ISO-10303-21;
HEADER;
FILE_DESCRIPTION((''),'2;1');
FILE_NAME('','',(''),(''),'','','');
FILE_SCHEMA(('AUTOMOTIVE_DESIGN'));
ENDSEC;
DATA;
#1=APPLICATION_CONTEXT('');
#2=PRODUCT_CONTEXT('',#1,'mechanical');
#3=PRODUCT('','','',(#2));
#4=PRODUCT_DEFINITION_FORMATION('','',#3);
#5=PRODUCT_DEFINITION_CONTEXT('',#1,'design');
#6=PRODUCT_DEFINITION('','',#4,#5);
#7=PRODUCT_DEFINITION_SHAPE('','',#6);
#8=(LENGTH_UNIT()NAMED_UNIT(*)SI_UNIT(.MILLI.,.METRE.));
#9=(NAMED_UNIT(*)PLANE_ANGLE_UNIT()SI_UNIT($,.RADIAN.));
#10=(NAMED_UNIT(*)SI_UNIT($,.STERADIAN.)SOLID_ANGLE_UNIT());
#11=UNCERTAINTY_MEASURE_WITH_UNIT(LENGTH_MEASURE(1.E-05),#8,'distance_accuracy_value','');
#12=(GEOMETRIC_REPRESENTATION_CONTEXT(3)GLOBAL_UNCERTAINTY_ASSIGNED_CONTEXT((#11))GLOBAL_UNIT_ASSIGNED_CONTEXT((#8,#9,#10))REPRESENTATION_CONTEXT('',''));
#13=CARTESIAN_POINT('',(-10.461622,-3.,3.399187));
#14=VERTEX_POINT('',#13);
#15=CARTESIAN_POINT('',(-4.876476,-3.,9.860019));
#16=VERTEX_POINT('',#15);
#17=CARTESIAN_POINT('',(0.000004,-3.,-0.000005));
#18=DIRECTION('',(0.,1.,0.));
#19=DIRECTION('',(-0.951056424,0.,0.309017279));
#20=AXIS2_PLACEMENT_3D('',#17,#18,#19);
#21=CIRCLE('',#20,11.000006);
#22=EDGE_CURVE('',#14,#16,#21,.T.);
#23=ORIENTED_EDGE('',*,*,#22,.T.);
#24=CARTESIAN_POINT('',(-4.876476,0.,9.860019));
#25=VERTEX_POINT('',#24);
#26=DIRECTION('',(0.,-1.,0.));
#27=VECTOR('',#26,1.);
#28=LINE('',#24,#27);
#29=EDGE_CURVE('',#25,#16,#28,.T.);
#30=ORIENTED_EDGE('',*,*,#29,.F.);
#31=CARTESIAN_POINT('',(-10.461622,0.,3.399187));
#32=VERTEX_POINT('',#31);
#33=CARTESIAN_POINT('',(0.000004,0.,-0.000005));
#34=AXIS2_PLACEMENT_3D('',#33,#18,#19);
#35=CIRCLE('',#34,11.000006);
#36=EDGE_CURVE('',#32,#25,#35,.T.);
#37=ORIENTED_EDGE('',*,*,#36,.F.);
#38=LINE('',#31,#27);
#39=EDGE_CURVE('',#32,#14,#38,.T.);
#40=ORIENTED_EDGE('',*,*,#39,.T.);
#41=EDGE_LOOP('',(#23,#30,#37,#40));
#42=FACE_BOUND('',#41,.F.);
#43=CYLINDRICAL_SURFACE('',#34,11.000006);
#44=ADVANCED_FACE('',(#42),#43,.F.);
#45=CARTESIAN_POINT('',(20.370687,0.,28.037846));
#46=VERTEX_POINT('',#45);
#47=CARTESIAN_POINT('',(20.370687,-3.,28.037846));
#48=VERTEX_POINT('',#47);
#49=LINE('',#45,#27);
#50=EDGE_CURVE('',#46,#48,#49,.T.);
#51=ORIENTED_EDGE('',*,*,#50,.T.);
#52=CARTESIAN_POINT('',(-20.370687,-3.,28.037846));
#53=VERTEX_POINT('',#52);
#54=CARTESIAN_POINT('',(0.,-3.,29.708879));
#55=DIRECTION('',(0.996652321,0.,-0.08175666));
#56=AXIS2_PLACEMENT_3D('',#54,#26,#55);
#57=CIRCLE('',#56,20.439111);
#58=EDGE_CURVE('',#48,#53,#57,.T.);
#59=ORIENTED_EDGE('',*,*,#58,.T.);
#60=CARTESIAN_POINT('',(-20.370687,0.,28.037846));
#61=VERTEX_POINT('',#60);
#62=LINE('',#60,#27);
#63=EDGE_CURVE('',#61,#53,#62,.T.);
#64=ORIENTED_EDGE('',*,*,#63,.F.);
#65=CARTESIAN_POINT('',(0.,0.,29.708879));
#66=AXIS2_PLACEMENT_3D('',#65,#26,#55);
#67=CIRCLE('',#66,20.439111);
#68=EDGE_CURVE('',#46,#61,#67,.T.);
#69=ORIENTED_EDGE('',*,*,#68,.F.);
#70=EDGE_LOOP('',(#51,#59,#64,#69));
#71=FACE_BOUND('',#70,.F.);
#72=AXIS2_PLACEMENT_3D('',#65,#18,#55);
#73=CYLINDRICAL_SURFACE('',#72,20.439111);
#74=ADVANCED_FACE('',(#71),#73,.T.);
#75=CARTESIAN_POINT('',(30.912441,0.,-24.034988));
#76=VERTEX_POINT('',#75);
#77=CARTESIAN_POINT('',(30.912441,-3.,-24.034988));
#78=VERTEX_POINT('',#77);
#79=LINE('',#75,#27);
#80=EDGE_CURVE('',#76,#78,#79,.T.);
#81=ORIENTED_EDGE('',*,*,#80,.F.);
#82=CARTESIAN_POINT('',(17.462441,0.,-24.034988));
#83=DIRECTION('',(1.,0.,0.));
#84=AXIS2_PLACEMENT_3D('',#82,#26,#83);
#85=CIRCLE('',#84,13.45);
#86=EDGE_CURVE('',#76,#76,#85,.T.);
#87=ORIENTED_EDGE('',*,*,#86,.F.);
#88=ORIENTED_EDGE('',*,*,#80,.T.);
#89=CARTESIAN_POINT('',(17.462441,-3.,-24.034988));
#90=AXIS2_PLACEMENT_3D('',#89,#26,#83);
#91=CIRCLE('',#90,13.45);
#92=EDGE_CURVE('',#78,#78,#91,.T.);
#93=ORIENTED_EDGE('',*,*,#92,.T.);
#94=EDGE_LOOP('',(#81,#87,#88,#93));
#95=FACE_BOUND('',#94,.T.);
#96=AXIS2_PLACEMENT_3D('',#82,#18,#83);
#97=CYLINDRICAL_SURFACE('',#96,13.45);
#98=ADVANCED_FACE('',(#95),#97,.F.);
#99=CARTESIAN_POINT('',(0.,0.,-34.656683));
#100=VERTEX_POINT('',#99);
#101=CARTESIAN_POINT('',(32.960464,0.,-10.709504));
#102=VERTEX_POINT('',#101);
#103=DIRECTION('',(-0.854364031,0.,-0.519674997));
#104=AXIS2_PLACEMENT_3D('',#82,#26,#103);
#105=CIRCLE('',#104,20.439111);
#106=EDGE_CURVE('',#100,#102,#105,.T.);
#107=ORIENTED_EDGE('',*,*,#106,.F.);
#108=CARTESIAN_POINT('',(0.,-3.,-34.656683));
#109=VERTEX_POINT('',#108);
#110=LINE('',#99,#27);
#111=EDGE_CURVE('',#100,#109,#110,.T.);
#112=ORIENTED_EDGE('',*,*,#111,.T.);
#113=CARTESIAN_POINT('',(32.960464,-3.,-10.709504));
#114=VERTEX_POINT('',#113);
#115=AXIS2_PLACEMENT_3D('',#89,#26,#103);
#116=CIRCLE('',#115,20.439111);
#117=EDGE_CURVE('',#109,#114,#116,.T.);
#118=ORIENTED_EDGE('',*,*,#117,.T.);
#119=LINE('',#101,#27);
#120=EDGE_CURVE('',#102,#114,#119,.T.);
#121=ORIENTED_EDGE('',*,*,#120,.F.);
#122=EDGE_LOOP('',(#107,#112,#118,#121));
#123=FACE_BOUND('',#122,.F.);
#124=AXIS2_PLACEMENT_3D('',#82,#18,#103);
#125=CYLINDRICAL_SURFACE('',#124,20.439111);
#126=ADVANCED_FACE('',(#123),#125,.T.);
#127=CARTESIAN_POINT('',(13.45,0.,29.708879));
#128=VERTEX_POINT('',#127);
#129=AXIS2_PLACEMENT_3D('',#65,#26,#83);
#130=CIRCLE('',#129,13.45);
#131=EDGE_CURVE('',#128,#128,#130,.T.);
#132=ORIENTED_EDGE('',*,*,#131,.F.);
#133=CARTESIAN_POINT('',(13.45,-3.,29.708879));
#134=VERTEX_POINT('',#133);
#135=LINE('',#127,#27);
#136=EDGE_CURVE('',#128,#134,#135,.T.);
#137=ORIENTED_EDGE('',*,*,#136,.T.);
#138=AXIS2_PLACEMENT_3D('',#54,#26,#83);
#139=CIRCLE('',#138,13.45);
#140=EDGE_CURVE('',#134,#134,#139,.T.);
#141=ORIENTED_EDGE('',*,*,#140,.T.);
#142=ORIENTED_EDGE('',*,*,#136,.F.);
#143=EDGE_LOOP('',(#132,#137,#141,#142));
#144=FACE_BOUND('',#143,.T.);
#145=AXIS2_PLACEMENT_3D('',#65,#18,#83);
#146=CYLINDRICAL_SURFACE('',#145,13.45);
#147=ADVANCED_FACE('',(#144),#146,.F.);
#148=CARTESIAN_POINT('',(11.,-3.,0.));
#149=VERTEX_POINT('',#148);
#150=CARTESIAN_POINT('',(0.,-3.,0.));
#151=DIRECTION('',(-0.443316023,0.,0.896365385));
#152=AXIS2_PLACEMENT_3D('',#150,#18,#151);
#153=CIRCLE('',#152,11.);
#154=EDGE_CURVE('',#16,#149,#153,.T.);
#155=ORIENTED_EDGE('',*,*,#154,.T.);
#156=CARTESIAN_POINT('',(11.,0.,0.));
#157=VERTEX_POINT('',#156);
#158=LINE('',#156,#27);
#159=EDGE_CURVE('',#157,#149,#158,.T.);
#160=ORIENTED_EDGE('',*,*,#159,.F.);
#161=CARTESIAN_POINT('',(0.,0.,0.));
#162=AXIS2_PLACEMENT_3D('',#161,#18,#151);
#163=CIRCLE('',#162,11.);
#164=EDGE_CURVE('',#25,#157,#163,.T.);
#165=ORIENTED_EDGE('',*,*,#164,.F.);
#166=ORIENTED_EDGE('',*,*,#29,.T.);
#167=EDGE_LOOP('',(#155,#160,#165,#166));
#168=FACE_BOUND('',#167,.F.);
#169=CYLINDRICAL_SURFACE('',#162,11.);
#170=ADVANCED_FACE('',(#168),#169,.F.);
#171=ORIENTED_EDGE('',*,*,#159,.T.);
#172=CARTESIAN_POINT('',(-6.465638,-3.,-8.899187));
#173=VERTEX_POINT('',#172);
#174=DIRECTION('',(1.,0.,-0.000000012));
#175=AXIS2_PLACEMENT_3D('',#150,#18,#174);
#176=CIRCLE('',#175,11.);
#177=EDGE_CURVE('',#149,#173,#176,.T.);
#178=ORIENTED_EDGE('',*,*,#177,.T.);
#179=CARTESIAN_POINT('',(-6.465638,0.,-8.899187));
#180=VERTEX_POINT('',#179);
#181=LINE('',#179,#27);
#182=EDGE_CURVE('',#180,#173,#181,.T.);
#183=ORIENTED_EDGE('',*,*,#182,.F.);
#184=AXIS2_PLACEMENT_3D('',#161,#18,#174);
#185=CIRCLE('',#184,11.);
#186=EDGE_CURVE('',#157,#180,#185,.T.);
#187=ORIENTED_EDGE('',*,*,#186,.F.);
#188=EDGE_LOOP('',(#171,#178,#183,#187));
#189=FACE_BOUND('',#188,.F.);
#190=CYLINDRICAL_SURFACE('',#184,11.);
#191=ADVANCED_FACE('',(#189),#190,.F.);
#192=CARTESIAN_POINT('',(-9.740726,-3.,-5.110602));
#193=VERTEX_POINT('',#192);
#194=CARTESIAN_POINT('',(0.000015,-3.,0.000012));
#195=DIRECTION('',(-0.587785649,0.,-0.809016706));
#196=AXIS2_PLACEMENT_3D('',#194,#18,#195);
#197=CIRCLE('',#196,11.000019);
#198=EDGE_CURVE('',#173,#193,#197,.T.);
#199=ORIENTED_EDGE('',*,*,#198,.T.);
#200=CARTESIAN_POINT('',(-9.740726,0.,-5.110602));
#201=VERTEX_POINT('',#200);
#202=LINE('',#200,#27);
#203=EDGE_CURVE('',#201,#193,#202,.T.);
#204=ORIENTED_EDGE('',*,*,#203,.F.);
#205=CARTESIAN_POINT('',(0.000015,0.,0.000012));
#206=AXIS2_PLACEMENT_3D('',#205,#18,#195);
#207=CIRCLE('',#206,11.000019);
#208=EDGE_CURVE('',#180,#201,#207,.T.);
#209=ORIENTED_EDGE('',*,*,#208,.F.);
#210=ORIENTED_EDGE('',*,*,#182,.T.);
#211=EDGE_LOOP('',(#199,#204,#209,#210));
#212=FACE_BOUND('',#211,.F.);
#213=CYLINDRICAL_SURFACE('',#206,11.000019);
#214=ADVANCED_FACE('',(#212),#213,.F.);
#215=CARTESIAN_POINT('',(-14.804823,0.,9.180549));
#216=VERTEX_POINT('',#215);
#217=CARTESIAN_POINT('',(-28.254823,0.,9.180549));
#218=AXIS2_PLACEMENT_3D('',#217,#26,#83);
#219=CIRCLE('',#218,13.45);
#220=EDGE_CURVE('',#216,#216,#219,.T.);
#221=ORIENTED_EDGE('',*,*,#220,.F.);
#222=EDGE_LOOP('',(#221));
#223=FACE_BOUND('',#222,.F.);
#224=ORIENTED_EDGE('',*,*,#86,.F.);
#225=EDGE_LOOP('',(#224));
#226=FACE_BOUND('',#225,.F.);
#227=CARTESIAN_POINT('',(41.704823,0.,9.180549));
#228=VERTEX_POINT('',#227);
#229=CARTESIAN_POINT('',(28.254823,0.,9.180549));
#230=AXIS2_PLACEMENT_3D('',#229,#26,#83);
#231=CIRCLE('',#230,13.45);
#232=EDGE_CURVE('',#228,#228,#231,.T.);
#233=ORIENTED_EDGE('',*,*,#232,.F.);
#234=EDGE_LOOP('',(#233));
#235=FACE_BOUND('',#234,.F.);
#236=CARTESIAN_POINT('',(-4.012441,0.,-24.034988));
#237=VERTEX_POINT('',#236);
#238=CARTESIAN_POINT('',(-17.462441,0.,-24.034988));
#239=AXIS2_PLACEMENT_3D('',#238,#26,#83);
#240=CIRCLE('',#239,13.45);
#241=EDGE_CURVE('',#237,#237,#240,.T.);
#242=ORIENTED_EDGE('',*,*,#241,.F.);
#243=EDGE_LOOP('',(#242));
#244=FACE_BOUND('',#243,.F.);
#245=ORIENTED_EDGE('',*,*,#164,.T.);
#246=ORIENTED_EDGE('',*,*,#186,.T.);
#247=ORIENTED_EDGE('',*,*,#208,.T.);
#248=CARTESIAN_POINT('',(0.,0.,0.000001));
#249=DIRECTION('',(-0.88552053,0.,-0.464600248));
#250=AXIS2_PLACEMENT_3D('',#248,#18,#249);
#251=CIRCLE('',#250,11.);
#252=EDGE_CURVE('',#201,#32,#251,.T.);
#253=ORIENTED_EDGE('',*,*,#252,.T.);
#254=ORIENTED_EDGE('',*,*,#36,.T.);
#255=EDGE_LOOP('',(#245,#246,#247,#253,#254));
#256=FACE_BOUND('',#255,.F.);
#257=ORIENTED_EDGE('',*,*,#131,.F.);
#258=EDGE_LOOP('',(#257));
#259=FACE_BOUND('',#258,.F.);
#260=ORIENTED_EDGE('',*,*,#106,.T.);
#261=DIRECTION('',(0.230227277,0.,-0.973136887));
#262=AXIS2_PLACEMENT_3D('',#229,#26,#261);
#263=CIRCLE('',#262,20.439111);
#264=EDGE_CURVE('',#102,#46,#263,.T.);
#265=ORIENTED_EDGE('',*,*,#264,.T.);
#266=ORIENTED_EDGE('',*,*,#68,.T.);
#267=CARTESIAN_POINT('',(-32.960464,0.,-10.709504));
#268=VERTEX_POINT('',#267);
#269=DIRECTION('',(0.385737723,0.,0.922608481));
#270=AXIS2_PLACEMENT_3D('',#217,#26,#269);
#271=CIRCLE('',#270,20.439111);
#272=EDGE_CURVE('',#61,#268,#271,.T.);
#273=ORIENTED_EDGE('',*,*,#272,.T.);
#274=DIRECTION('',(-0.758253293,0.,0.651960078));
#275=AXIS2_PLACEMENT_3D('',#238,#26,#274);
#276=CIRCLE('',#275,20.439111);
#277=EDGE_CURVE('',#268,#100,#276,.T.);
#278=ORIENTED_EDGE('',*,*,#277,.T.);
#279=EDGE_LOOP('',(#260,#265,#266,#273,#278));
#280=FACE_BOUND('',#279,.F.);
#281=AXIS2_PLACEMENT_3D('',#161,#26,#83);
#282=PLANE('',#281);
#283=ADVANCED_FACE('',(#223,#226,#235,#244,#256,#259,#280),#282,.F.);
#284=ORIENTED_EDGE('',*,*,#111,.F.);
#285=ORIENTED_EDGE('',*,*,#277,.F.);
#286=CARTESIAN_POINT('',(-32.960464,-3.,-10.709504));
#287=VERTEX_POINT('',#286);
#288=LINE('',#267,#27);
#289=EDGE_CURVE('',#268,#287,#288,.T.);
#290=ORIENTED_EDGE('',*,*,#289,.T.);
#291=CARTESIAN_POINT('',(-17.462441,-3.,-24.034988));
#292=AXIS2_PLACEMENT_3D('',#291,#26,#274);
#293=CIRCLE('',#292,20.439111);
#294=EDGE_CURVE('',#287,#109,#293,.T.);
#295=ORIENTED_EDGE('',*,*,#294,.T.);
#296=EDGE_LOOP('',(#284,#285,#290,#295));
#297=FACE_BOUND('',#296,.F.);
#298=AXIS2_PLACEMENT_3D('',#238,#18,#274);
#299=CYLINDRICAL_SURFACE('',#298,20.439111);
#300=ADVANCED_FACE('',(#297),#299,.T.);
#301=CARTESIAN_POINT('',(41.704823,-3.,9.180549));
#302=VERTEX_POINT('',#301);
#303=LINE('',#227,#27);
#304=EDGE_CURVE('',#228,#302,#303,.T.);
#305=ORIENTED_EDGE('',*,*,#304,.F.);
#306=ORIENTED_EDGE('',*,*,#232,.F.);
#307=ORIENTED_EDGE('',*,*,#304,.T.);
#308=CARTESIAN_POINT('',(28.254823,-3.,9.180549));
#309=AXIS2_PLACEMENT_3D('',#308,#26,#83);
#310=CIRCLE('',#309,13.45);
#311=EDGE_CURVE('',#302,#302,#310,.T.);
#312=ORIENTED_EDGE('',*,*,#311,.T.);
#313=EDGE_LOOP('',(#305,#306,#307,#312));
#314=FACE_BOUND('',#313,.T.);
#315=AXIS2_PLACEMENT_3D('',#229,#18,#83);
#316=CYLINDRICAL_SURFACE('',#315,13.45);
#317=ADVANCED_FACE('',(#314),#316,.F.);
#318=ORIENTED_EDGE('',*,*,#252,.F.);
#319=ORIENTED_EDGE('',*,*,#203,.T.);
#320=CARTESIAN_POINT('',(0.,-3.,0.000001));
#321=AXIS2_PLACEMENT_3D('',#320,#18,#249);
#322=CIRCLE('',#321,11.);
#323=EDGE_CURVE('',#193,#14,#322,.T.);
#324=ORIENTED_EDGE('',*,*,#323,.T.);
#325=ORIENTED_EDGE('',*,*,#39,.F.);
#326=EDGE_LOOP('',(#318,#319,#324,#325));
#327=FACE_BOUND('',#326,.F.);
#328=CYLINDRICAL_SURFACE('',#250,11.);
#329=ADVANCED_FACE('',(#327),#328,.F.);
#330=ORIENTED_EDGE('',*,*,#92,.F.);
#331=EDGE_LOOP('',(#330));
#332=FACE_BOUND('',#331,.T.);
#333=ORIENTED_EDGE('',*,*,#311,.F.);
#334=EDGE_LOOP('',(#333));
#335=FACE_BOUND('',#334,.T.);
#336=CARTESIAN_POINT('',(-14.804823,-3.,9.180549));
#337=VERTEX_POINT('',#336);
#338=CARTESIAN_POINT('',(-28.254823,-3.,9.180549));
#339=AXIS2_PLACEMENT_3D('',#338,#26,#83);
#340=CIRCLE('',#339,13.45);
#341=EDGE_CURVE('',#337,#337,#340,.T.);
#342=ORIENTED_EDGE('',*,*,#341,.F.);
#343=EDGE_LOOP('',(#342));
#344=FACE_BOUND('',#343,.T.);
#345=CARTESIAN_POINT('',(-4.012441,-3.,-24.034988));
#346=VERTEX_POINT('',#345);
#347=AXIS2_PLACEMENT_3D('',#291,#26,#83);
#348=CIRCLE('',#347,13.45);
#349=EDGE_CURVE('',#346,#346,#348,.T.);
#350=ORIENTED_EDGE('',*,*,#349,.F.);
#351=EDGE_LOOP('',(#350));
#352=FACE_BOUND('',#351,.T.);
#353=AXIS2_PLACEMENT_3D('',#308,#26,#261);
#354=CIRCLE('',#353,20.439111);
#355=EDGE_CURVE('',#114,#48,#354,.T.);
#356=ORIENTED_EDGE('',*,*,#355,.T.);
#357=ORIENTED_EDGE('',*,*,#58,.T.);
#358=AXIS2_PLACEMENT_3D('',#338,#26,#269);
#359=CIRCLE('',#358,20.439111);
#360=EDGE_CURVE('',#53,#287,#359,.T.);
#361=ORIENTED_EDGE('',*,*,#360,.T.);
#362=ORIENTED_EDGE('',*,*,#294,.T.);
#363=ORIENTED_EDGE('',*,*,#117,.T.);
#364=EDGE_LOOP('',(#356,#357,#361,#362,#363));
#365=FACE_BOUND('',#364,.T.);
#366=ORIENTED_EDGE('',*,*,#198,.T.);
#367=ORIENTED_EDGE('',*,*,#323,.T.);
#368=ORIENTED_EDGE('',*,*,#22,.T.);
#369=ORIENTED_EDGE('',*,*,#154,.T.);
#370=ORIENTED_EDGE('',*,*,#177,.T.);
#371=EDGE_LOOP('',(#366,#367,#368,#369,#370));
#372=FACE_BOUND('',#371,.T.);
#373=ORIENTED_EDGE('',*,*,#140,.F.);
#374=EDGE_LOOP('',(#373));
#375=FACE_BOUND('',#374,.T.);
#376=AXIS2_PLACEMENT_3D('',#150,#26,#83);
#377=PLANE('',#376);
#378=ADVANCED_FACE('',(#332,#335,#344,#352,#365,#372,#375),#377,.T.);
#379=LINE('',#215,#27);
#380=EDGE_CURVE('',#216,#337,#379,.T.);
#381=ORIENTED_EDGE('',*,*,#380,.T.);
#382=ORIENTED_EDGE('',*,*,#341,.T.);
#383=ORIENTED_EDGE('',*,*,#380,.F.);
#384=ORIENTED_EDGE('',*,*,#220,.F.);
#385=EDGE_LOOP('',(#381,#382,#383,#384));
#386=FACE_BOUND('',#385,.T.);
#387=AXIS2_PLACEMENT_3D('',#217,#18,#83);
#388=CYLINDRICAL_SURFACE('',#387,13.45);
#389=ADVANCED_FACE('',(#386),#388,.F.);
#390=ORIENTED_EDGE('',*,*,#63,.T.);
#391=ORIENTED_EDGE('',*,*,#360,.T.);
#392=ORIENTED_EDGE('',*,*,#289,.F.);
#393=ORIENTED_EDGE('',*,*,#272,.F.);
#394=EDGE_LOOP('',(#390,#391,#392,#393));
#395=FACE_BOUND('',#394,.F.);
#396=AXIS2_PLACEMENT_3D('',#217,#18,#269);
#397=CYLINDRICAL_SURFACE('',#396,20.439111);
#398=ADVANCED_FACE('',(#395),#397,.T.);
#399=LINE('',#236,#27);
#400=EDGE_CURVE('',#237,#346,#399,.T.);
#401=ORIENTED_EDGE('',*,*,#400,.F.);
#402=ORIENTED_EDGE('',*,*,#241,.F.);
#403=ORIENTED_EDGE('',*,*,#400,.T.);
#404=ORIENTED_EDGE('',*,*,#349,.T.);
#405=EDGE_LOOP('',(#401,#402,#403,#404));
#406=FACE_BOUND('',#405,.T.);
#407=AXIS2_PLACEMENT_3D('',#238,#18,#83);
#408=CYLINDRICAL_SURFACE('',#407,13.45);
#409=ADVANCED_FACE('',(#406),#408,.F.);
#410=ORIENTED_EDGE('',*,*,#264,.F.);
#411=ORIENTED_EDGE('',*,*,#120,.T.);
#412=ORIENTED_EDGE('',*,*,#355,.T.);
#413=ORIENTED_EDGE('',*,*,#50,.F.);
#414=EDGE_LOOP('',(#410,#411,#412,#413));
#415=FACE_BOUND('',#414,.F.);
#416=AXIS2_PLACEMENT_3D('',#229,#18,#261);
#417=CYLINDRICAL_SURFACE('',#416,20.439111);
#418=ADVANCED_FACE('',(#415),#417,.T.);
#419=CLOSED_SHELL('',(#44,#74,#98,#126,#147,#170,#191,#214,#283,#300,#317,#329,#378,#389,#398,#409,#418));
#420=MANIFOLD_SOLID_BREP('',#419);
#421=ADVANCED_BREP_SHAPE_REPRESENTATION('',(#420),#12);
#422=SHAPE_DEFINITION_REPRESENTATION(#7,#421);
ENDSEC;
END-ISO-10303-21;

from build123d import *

# Parameters (mm, degrees)
F0_R     = 13.45
F1_DEPTH = 3


with BuildPart() as f1:
    # F0 (on Front) → F1 (new body)
    with BuildSketch(Plane.XZ):
        with BuildLine():
            ThreePointArc((32.960464, -10.709504), (47.693573, 15.496581), (20.370687, 28.037846))
            ThreePointArc((20.370687, 28.037846), (0, 50.14799), (-20.370687, 28.037846))
            ThreePointArc((-20.370687, 28.037846), (-47.693573, 15.496581), (-32.960464, -10.709504))
            ThreePointArc((-32.960464, -10.709504), (-29.476249, -40.570576), (0, -34.656683))
            ThreePointArc((0, -34.656683), (29.476249, -40.570576), (32.960464, -10.709504))
        make_face()
        with Locations((-17.462441, -24.034988)):
            Circle(F0_R, mode=Mode.SUBTRACT)
        with BuildLine():
            ThreePointArc((-4.876476, 9.860019), (5.803394, 9.34455), (11, 0))
            ThreePointArc((11, 0), (4.993895, -9.801072), (-6.465638, -8.899187))
            ThreePointArc((-6.465638, -8.899187), (-8.321652, -7.193754), (-9.740726, -5.110602))
            ThreePointArc((-9.740726, -5.110602), (-10.960741, -0.928525), (-10.461622, 3.399187))
            ThreePointArc((-10.461622, 3.399187), (-8.321652, 7.193754), (-4.876476, 9.860019))
        make_face(mode=Mode.SUBTRACT)
        with Locations((17.462441, -24.034988)):
            Circle(F0_R, mode=Mode.SUBTRACT)
        with Locations((-28.254823, 9.180549)):
            Circle(F0_R, mode=Mode.SUBTRACT)
        with Locations((0, 29.708879)):
            Circle(F0_R, mode=Mode.SUBTRACT)
        with Locations((28.254823, 9.180549)):
            Circle(F0_R, mode=Mode.SUBTRACT)
    extrude(amount=F1_DEPTH)


solid = f1.part
